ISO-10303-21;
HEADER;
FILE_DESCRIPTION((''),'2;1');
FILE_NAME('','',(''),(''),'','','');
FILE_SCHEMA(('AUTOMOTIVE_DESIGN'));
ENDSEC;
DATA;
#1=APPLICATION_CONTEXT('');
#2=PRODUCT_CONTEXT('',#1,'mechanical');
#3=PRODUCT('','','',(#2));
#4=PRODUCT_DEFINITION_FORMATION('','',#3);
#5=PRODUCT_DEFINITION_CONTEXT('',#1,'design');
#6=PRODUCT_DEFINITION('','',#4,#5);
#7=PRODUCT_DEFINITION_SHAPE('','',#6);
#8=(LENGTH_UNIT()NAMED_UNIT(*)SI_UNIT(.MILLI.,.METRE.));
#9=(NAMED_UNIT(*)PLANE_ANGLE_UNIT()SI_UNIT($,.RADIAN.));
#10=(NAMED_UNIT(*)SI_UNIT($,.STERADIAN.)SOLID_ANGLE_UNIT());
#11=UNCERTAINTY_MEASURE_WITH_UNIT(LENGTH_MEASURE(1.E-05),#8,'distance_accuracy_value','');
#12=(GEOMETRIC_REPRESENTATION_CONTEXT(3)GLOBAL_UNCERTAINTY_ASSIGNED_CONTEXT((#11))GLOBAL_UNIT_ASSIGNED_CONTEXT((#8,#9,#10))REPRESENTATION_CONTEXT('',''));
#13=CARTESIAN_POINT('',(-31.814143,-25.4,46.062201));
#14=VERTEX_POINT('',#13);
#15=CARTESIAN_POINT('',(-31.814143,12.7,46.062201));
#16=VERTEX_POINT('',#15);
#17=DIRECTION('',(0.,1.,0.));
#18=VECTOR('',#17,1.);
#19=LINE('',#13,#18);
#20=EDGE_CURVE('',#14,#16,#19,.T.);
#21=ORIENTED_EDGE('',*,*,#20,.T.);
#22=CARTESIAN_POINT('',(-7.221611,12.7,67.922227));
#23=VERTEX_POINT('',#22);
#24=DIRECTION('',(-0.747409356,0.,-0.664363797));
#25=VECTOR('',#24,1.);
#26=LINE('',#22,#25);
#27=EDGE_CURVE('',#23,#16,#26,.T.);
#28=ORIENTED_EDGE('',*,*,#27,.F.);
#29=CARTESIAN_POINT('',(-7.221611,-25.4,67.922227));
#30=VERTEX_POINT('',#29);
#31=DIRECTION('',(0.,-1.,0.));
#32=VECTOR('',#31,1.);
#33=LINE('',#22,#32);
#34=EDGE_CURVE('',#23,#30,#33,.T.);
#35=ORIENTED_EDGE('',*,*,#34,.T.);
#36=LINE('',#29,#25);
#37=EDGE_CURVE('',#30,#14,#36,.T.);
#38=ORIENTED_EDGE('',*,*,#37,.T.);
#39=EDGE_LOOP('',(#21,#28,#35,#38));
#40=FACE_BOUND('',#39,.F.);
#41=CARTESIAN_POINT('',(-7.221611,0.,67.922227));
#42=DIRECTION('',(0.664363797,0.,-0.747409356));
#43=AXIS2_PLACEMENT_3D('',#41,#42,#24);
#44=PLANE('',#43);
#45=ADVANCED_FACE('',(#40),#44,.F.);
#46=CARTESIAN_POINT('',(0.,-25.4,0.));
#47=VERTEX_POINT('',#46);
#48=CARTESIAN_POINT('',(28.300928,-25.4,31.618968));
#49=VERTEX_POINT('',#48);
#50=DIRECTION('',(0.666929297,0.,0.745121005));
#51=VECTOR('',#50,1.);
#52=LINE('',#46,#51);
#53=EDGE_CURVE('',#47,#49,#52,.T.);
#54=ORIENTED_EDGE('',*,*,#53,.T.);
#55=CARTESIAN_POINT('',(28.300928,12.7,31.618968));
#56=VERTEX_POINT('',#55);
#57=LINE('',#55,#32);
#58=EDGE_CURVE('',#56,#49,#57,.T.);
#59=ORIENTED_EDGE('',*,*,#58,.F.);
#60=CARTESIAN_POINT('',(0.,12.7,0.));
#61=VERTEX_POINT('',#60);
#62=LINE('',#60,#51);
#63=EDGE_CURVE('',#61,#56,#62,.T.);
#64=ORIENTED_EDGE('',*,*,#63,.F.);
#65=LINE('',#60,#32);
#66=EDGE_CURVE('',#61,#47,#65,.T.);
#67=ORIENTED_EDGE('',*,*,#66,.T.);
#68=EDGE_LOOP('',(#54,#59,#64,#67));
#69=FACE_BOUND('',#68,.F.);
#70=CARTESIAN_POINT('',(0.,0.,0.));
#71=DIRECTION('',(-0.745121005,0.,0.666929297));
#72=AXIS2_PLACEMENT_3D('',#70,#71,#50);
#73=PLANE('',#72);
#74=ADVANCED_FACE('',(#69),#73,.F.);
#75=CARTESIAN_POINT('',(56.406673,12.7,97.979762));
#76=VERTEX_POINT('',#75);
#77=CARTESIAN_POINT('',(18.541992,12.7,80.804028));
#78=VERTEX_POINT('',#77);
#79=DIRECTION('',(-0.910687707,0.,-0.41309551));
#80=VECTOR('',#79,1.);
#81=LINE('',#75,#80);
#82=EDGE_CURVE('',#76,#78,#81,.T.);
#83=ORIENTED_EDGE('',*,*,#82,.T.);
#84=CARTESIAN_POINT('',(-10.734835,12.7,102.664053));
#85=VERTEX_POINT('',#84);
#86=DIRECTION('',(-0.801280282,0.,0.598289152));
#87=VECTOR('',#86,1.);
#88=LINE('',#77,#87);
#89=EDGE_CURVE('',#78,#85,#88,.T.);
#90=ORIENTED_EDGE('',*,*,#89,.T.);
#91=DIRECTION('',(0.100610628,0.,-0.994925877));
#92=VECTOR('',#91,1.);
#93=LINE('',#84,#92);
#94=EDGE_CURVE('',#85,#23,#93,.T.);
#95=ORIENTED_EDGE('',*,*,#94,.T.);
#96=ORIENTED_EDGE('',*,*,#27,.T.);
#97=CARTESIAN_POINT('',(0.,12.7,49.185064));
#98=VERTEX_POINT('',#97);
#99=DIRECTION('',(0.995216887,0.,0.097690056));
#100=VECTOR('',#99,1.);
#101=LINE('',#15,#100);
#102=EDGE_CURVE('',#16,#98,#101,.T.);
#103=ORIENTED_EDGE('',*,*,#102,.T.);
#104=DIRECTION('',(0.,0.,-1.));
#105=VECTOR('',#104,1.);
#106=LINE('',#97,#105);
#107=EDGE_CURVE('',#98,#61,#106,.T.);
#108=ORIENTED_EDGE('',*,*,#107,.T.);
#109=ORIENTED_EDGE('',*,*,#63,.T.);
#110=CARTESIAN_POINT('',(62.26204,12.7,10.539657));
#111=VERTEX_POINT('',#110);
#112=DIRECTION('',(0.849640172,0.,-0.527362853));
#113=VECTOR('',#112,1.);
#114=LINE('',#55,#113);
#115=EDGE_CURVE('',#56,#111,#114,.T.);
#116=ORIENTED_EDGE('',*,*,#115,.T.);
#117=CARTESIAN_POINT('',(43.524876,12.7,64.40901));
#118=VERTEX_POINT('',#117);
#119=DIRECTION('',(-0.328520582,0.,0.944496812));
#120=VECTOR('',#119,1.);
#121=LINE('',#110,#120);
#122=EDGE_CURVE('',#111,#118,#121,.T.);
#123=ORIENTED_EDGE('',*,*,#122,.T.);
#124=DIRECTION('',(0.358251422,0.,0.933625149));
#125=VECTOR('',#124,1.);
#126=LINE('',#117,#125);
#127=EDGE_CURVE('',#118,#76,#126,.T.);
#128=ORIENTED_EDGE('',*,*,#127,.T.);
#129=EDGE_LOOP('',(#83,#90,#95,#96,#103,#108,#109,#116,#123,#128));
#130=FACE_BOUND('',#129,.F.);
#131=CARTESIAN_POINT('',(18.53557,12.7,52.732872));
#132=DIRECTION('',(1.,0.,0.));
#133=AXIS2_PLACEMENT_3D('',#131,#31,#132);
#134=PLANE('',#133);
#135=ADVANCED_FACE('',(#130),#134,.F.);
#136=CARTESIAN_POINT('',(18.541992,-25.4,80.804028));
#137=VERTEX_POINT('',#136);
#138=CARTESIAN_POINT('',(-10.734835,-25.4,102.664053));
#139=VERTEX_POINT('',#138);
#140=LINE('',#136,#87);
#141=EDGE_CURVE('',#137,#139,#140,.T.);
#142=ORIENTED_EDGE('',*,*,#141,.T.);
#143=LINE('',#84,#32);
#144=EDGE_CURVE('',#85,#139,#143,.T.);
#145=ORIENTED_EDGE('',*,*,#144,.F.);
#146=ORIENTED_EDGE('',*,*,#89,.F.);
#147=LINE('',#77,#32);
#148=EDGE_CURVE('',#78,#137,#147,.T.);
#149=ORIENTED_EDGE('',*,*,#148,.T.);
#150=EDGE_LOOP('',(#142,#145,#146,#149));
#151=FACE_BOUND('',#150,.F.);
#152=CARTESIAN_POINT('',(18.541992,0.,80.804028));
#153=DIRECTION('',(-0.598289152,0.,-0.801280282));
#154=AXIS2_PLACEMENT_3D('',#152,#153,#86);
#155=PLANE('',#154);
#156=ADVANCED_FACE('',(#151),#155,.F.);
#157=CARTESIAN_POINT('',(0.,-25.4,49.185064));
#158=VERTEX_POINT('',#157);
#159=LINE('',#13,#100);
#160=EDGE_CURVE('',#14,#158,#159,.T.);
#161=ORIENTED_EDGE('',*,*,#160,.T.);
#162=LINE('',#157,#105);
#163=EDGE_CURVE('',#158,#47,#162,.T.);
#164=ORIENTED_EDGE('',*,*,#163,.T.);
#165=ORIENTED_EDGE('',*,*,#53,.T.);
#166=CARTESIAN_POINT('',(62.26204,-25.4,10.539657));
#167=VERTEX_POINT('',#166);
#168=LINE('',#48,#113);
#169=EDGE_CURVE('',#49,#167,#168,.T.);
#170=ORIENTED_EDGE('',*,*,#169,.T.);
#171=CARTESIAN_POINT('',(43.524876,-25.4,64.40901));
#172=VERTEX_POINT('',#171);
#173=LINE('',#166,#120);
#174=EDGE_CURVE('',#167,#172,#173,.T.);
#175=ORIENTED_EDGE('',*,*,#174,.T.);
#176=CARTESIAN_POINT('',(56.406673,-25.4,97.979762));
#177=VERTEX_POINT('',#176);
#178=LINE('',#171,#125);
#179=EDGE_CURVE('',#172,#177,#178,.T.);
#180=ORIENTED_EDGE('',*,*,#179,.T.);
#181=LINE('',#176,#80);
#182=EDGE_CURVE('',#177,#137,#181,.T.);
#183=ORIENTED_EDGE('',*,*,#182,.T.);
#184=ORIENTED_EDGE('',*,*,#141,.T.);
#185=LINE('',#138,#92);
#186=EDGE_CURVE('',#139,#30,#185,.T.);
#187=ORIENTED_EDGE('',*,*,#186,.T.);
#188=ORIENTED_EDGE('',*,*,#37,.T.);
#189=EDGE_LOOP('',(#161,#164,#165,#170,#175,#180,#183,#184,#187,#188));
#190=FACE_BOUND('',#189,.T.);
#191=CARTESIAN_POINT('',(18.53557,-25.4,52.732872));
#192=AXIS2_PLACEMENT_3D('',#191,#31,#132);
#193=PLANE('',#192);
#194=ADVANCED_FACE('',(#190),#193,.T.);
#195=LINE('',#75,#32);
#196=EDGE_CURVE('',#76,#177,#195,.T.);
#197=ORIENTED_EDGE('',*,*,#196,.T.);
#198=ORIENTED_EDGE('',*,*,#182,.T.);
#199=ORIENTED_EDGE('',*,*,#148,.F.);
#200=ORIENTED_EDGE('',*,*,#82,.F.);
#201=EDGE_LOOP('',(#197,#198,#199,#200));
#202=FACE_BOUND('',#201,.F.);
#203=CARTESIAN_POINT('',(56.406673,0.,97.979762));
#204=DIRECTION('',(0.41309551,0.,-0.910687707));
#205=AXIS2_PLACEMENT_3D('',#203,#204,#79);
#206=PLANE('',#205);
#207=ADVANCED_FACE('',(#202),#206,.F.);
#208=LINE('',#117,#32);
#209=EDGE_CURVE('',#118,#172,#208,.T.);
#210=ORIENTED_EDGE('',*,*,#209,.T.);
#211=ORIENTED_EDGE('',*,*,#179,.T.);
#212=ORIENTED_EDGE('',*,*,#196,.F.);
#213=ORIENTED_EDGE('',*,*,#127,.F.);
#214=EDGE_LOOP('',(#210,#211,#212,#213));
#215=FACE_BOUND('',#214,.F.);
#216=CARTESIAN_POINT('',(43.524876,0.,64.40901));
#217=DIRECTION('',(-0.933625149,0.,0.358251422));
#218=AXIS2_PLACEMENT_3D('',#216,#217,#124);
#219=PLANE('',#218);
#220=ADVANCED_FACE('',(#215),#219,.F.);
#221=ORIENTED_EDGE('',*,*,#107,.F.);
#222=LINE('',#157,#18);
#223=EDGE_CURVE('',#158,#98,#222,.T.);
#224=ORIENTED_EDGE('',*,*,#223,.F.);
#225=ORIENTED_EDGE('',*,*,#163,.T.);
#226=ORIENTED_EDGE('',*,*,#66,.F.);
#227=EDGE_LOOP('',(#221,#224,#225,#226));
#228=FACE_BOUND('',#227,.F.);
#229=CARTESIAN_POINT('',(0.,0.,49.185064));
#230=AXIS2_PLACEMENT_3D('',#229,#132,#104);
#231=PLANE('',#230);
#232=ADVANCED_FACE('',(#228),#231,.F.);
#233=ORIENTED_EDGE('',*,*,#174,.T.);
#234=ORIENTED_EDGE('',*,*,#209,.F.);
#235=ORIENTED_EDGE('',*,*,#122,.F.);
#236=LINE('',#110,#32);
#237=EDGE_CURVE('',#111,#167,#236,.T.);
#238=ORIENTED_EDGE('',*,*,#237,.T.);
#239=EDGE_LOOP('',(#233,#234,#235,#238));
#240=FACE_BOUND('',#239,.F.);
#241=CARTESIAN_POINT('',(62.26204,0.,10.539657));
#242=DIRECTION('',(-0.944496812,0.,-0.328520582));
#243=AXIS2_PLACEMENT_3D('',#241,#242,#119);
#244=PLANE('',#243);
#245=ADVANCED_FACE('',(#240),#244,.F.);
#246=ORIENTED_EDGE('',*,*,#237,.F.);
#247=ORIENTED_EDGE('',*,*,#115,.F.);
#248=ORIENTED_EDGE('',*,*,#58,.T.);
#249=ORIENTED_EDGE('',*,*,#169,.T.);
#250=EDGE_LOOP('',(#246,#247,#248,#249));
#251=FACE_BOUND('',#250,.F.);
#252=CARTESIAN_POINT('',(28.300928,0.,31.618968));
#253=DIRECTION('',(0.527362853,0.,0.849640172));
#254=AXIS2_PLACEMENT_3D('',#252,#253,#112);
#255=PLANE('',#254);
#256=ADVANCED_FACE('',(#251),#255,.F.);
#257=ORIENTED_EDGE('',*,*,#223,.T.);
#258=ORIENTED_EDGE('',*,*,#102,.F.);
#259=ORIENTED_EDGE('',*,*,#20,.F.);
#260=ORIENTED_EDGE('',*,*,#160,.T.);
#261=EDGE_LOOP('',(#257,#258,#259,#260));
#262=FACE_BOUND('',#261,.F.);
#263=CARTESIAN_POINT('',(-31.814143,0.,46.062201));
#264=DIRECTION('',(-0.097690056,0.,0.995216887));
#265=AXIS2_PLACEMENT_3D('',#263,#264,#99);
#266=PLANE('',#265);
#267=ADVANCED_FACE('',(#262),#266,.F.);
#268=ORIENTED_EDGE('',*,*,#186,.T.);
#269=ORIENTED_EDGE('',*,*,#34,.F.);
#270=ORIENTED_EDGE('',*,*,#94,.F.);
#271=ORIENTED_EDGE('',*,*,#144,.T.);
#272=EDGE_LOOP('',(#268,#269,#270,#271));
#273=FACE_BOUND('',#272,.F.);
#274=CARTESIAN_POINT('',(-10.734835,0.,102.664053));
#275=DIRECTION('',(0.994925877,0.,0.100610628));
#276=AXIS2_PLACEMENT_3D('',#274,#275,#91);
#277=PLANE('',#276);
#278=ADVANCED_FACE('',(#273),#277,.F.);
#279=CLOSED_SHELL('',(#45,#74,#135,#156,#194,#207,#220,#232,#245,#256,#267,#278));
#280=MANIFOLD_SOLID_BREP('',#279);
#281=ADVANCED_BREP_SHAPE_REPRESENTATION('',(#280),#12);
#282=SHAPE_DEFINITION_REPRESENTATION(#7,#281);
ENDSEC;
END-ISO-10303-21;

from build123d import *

# Parameters (mm, degrees)
F1_DEPTH = 12.7
F2_DEPTH = 25.4


with BuildPart() as f1:
    # F0 (on Front) → F1 (new body, symmetric)
    with BuildSketch(Plane.XZ):
        Polygon((0, 49.1850636899), (0, 0), (28.3009279519, 31.6189676523), (62.2620396316, 10.5396574363), (43.5248762369, 64.4090101123), (56.406673044, 97.9797616601), (18.5419917107, 80.804027617), (-10.7348347083, 102.6640534401), (-7.2216112167, 67.9222270846), (-31.8141430616, 46.0622012615), align=None)
    extrude(amount=F1_DEPTH, both=True)

    # F0 (on Front) → F2 (join)
    with BuildSketch(Plane.XZ):
        Polygon((0, 49.1850636899), (0, 0), (28.3009279519, 31.6189676523), (62.2620396316, 10.5396574363), (43.5248762369, 64.4090101123), (56.406673044, 97.9797616601), (18.5419917107, 80.804027617), (-10.7348347083, 102.6640534401), (-7.2216112167, 67.9222270846), (-31.8141430616, 46.0622012615), align=None)
    extrude(amount=F2_DEPTH)


solid = f1.part
